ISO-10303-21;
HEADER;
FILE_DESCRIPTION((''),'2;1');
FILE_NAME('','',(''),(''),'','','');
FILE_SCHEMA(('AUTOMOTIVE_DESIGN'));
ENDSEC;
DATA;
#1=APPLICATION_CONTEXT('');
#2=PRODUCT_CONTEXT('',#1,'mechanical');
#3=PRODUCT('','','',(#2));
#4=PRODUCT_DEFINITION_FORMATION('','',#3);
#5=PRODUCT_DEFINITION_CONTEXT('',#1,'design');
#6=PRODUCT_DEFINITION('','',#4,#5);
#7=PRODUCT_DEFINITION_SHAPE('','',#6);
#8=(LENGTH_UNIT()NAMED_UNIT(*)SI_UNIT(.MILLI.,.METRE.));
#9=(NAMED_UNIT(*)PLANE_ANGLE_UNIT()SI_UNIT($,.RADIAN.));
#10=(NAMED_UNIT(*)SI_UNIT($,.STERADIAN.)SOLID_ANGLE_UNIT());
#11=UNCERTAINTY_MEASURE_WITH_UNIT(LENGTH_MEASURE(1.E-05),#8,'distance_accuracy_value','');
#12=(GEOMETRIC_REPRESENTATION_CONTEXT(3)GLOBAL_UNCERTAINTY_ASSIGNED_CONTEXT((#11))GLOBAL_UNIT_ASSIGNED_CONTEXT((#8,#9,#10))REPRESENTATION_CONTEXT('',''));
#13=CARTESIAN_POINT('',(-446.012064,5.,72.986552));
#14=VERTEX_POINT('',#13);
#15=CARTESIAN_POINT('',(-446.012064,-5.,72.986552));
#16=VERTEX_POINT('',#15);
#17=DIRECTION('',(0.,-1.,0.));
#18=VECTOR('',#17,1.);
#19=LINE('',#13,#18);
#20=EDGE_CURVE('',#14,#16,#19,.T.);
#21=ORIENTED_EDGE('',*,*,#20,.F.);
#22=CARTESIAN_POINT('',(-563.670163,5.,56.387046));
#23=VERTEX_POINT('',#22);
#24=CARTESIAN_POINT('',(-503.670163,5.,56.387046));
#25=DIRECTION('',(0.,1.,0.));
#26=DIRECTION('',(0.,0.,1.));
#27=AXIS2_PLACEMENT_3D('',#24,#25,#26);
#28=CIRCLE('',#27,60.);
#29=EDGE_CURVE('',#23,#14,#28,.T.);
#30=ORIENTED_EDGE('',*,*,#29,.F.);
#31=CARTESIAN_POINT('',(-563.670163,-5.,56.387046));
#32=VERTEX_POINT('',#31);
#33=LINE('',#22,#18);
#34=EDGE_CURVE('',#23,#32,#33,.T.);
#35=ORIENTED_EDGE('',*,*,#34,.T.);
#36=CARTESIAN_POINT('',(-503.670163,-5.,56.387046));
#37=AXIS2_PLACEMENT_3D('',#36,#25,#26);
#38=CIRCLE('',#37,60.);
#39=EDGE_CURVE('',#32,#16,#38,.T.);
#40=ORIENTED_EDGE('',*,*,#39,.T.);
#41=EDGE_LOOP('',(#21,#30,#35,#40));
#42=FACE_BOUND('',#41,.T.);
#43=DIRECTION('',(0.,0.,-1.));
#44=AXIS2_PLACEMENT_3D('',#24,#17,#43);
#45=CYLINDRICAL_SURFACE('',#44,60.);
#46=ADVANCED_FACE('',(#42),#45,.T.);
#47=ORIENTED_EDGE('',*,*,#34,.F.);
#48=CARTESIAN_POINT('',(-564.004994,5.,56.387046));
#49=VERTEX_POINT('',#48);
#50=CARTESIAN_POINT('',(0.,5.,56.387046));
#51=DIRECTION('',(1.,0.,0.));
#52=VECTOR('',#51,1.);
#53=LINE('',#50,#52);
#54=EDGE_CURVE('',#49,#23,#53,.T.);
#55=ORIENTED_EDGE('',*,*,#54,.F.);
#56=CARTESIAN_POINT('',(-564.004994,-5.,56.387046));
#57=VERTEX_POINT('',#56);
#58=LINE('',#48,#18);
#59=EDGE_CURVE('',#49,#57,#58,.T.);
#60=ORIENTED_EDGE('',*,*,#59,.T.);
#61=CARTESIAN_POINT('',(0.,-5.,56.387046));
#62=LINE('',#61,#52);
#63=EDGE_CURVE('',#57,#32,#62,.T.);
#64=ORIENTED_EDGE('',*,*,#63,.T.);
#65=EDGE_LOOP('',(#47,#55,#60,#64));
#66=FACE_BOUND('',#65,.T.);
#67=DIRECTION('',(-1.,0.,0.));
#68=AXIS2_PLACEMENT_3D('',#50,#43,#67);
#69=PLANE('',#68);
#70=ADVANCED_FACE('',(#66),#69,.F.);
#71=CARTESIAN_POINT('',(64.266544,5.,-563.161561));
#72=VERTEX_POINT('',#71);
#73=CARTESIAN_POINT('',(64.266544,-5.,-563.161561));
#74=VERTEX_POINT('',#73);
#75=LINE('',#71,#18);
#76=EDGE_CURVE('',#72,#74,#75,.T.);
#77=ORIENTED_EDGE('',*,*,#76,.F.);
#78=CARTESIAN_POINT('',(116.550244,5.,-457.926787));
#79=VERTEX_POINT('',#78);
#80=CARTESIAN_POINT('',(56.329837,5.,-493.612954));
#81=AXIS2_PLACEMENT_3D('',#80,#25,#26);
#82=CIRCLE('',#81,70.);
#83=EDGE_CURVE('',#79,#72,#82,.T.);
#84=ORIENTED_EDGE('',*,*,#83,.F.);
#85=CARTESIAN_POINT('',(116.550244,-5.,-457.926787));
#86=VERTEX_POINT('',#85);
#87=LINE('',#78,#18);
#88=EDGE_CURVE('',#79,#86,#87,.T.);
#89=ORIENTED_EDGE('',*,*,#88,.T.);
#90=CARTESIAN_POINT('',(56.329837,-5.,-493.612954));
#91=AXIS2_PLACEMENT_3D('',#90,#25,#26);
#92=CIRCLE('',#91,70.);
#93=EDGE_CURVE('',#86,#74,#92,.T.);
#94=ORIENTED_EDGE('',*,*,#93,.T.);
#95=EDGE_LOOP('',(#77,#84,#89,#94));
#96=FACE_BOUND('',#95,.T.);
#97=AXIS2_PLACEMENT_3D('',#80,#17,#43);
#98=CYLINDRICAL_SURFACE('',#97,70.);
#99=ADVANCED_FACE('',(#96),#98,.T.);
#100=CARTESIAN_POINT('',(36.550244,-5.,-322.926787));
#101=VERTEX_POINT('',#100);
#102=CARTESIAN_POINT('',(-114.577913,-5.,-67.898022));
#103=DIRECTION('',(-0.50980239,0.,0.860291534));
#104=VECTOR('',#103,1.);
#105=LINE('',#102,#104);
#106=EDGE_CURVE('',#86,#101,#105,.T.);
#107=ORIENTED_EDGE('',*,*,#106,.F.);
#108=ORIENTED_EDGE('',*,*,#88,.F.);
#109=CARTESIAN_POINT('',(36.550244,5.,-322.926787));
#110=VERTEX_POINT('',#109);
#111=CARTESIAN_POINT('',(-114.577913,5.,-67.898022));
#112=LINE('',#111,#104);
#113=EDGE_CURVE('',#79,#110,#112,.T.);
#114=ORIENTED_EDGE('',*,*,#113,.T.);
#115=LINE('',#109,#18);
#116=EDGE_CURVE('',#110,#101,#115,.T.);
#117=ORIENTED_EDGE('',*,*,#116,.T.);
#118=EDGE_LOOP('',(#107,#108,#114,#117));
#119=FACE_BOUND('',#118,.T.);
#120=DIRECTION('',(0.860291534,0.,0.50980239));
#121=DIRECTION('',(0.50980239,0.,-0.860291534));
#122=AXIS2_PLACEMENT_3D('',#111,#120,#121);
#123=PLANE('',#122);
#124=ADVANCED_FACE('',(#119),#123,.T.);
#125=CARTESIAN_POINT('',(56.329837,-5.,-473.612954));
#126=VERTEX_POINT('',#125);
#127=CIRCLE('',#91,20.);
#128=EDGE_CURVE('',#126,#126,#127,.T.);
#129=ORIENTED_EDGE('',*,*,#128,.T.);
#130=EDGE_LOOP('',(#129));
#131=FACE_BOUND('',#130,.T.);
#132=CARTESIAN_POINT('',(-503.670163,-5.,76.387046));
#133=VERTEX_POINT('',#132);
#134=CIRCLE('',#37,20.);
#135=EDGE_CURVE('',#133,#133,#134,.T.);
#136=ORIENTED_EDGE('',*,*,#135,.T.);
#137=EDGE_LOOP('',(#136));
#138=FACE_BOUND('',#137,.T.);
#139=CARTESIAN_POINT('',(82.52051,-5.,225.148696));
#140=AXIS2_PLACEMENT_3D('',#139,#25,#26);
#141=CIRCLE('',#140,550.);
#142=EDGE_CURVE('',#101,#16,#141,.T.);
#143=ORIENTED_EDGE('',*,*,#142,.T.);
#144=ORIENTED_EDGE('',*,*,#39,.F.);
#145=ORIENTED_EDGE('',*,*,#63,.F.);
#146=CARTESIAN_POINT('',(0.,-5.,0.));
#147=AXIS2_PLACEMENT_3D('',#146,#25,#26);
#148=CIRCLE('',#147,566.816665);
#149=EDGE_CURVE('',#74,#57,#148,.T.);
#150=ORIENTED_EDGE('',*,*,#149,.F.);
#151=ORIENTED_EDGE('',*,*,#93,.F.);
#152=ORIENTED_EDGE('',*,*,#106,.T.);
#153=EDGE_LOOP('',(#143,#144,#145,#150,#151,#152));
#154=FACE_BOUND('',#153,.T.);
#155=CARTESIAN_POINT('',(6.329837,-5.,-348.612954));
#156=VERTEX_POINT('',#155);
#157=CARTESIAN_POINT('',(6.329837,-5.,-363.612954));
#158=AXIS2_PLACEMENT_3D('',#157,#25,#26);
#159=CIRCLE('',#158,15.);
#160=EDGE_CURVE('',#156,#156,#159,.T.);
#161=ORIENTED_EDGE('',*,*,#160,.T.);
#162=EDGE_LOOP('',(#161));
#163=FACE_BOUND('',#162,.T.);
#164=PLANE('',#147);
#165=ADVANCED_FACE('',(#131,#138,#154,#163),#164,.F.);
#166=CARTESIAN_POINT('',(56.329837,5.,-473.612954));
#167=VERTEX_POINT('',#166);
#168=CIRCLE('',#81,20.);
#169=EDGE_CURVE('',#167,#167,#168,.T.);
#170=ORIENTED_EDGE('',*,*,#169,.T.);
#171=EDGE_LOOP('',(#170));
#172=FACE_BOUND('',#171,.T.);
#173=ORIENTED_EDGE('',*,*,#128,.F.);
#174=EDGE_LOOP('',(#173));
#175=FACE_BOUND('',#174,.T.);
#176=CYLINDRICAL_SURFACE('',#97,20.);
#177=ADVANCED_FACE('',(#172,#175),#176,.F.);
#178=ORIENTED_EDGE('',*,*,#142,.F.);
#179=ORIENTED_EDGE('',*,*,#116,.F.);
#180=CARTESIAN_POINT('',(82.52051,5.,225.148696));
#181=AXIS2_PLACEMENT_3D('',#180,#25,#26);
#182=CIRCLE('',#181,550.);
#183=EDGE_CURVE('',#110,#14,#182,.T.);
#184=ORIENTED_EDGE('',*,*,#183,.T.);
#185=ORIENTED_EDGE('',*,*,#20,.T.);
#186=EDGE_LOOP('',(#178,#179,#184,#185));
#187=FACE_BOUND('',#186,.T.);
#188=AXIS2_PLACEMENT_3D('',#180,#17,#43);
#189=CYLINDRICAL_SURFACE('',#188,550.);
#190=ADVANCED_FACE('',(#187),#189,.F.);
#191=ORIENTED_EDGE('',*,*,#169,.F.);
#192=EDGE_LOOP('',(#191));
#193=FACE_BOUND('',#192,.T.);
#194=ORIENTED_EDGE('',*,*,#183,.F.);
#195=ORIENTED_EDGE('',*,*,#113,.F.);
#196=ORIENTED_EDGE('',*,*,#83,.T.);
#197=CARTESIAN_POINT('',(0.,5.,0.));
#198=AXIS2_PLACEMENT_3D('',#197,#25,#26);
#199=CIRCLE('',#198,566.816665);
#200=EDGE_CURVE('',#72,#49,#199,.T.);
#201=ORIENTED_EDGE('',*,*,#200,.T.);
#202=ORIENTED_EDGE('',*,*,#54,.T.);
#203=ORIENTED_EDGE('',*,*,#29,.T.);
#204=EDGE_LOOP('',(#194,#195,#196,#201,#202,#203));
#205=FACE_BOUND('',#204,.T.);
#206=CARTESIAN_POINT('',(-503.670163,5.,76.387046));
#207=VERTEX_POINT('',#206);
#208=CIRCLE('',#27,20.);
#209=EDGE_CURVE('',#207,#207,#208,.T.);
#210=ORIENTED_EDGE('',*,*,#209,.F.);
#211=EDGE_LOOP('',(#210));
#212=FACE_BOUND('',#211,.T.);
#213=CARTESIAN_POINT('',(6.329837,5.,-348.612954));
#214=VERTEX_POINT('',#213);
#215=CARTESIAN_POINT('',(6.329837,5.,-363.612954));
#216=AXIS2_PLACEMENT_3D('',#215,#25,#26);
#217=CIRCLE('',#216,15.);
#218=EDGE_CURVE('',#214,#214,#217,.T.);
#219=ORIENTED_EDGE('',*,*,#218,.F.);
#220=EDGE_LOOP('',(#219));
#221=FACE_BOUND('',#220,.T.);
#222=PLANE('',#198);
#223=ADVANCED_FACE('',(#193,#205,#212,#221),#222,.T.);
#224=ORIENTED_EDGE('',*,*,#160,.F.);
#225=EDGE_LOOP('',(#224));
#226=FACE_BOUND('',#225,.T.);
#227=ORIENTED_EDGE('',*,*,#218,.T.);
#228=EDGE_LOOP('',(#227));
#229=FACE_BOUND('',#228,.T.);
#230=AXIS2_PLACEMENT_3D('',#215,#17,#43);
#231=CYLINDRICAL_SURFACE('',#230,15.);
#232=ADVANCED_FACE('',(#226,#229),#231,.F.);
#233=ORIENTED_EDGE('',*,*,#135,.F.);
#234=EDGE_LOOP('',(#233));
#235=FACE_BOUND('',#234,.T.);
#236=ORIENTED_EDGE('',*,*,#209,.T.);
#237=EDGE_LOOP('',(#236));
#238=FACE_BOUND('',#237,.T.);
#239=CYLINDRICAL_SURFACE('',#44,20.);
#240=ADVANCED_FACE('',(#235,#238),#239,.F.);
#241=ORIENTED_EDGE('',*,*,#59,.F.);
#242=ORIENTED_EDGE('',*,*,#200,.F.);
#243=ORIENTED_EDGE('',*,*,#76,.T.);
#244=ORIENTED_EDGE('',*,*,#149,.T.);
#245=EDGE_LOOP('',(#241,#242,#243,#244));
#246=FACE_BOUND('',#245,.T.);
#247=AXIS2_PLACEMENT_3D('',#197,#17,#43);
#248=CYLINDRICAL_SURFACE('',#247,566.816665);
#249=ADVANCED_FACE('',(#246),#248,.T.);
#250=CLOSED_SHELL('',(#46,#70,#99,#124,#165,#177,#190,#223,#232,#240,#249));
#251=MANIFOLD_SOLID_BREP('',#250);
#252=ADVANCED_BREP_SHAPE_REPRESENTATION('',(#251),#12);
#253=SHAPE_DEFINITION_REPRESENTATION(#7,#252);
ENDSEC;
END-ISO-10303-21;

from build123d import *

# Parameters (mm, degrees)
SKETCH1_R           = 20
SKETCH1_R_2         = 15
BOSS_EXTRUDE1_DEPTH = 5


with BuildPart() as part:
    # Sketch1 → Boss-Extrude1 (new, symmetric)
    with BuildSketch(Plane(origin=(0, 0, 0), x_dir=(1, 0, 0), z_dir=(0, 1, 0))):
        with BuildLine():
            ThreePointArc((64.266544208, 563.161560744), (-397.988377373, 403.591852842), (-564.00499401, -56.38704581))
            Line((-564.00499401, -56.38704581), (-563.670163319, -56.38704581))
            ThreePointArc((-563.670163319, -56.38704581), (-563.576965484, -59.729956873), (-563.297661506, -63.062482866))
            ThreePointArc((-563.297661506, -63.062482866), (-508.728959827, -116.173403601), (-446.012064302, -72.986552362))
            ThreePointArc((-446.012064302, -72.986552362), (-266.335078189, 200.056876387), (36.550244036, 322.926786868))
            Line((36.550244036, 322.926786868), (116.550244036, 457.926786868))
            ThreePointArc((116.550244036, 457.926786868), (119.01905015, 524.75878079), (64.266544208, 563.161560744))
        make_face()
        with Locations(Location((-503.670163319, -56.38704581, 0), (0, 0, 270))):
            Circle(SKETCH1_R, mode=Mode.SUBTRACT)
        with Locations(Location((6.329836681, 363.61295419, 0), (0, 0, 270))):
            Circle(SKETCH1_R_2, mode=Mode.SUBTRACT)
        with Locations(Location((56.329836681, 493.61295419, 0), (0, 0, 270))):
            Circle(SKETCH1_R, mode=Mode.SUBTRACT)
    extrude(amount=BOSS_EXTRUDE1_DEPTH, both=True)


solid = part.part
